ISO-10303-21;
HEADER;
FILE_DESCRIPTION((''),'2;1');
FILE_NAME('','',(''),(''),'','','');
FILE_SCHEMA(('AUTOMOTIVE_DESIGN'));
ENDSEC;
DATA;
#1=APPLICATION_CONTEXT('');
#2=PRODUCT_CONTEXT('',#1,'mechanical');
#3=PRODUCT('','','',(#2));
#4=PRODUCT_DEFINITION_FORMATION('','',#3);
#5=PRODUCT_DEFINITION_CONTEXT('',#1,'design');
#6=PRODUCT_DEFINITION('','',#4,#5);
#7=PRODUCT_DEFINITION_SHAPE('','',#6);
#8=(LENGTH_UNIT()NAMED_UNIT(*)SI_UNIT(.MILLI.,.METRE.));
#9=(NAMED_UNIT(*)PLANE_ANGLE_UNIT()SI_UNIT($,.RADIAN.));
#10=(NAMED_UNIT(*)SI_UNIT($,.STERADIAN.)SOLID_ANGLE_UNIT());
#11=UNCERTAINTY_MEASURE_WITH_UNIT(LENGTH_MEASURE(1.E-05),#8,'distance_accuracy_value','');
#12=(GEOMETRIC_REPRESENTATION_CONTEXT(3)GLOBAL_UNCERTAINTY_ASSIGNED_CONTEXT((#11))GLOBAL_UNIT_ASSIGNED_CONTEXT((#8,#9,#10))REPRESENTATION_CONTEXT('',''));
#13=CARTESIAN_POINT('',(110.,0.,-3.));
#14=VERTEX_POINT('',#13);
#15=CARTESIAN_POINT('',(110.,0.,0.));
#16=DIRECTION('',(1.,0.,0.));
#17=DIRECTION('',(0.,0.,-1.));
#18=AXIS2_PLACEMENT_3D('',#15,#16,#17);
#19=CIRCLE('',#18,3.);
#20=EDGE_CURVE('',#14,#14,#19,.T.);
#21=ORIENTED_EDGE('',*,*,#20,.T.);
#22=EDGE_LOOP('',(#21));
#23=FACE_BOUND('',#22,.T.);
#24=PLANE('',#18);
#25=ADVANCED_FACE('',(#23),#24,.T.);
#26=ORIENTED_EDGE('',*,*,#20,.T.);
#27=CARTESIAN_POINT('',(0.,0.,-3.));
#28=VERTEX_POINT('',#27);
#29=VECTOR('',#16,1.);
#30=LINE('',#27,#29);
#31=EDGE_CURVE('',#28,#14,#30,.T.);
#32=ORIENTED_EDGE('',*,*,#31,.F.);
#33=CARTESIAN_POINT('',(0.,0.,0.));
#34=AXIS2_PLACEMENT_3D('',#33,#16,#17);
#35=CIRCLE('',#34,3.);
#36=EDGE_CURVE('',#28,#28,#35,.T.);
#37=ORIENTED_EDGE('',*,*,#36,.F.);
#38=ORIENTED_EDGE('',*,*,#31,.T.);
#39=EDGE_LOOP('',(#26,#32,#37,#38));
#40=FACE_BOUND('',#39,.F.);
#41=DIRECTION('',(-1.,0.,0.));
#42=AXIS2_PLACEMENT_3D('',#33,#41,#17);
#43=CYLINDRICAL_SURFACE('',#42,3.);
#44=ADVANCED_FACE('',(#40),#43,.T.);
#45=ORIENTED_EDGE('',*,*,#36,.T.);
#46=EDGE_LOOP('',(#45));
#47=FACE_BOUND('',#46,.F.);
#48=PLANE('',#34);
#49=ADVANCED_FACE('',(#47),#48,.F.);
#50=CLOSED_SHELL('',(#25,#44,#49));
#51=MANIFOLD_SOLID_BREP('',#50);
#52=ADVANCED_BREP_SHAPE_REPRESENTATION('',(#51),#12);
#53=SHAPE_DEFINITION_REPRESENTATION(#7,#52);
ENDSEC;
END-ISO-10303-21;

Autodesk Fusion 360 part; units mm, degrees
sketch "Sketch1" plane through (0, 0, 0) normal (1, 0, 0) x (0, 0, -1)
  circle A0 centre (0, 0) radius 3
  dimension "d1" = 6
extrude "Extrude1" add sketch "Sketch1" along normal blind 110
